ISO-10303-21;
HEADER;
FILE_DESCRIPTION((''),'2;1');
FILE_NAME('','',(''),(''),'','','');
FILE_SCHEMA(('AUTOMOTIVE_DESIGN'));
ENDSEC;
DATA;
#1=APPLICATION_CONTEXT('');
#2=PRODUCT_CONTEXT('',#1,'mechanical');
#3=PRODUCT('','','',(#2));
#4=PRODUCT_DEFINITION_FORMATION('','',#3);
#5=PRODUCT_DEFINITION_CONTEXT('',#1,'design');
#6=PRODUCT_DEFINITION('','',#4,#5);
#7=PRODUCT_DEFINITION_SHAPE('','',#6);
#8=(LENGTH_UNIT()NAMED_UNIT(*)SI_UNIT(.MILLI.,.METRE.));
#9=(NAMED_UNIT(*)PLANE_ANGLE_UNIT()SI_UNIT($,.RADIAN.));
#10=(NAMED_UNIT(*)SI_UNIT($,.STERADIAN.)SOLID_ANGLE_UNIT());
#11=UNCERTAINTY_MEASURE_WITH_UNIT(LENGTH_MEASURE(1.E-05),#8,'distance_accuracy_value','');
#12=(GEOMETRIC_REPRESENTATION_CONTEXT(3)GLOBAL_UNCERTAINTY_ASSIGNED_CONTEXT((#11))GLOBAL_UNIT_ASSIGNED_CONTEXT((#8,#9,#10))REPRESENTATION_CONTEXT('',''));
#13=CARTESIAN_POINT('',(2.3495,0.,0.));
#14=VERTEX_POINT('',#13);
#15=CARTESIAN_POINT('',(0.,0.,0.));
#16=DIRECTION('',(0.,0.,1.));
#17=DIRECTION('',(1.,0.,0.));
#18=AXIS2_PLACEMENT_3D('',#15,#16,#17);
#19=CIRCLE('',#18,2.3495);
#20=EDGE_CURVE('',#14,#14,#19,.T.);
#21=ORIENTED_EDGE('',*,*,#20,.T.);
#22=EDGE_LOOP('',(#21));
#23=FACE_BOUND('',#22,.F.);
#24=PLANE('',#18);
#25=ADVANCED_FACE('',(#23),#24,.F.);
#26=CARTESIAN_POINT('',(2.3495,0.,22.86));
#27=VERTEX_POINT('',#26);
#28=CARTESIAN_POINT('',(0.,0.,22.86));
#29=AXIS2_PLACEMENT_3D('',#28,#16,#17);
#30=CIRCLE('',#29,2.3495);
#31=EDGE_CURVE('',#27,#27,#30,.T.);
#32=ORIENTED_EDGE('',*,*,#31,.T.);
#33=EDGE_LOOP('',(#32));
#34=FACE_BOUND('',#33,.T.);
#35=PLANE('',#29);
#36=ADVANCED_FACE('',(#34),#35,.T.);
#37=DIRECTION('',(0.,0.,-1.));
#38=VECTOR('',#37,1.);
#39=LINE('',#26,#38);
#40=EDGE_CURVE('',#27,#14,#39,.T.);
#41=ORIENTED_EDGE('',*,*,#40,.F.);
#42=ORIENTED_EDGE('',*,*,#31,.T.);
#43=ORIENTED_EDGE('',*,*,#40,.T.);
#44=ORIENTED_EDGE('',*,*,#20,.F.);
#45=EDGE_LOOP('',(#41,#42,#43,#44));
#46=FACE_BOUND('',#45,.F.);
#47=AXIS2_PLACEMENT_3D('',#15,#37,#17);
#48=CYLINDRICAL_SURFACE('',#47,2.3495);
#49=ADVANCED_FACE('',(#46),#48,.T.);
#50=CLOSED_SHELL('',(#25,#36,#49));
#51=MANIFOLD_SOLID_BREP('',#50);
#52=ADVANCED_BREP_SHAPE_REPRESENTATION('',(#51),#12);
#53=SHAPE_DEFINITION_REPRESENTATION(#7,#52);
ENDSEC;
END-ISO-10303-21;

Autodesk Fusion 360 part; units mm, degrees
sketch "Sketch1" plane through (0, 0, 0) normal (0, 0, 1) x (1, 0, 0)
  line L0 (0, 0) -> (0, 22.86)
  line L1 (0, 22.86) -> (22.86, 22.86)
  line L2 (22.86, 22.86) -> (22.86, 0)
  line L3 (22.86, 0) -> (0, 0)
  dimension "d1" = 22.86
  dimension "d2" = 22.86
extrude "Extrude1" add sketch "Sketch1" along normal blind 22.86

Autodesk Fusion 360 part; units mm, degrees
sketch "Sketch1" plane through (0, 0, 0) normal (0, 0, 1) x (1, 0, 0)
  circle A0 centre (0, 0) radius 2.3495
  dimension "d1" = 4.699
extrude "Extrude1" add sketch "Sketch1" along normal blind 3.81
